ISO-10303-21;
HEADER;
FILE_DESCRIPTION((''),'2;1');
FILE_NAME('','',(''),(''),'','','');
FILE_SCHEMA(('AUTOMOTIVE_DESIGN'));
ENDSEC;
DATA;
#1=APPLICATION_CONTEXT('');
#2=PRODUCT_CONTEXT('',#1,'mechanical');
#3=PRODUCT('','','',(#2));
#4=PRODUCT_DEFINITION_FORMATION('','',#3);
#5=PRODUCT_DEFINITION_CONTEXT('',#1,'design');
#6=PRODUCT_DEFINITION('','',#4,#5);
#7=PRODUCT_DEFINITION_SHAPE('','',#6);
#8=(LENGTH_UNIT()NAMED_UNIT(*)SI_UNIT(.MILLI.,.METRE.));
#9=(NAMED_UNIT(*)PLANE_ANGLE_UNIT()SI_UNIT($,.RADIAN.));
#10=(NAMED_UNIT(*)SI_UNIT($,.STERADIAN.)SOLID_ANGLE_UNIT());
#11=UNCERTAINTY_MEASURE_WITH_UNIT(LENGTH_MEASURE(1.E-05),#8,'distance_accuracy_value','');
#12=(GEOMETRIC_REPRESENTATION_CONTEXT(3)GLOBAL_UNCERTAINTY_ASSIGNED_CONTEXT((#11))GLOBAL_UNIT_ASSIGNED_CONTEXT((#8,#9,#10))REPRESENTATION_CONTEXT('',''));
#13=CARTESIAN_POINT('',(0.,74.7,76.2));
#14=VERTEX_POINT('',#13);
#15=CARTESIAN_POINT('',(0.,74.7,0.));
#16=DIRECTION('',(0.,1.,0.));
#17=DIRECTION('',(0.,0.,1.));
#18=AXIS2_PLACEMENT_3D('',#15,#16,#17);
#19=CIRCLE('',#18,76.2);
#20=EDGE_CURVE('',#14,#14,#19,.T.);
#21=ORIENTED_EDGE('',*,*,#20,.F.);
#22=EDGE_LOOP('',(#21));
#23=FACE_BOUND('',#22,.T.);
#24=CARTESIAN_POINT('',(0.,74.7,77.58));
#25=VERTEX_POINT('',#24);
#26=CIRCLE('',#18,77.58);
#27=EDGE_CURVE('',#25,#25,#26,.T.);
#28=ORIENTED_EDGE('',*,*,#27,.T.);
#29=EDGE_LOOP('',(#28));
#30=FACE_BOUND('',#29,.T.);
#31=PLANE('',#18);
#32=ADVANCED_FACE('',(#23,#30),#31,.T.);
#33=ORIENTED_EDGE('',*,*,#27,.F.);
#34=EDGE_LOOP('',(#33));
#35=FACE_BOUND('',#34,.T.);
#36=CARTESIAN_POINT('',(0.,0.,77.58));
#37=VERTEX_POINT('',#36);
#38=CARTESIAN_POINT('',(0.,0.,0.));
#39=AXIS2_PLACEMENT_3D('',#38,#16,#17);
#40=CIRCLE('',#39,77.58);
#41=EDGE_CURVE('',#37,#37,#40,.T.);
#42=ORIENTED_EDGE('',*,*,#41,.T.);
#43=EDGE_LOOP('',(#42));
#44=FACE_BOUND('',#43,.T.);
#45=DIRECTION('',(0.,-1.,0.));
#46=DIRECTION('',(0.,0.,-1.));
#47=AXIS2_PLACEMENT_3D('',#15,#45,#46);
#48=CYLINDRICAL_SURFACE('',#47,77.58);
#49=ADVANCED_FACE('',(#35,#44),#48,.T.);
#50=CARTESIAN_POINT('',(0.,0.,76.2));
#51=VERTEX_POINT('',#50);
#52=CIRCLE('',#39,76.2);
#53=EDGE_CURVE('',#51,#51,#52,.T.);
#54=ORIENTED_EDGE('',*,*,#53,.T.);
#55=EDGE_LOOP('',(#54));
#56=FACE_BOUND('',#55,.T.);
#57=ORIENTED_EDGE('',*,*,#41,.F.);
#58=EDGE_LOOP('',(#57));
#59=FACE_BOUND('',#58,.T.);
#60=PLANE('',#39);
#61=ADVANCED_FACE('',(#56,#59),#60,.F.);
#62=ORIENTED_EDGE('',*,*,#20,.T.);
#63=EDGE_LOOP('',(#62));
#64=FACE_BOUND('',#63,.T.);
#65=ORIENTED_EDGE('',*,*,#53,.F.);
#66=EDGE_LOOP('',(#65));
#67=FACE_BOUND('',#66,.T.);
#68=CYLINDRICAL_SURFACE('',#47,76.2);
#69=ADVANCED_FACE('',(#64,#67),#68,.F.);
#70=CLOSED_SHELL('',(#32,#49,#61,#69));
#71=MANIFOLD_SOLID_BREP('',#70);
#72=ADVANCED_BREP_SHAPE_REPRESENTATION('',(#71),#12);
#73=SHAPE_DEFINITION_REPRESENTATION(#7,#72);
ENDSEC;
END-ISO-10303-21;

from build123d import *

# Parameters (mm, degrees)
SKETCH1_R           = 77.58
SKETCH1_R_2         = 76.2
BOSS_EXTRUDE1_DEPTH = 74.7


with BuildPart() as part:
    # Sketch1 → Boss-Extrude1 (new body)
    with BuildSketch(Plane(origin=(0, 0, 0), x_dir=(1, 0, 0), z_dir=(0, 1, 0))):
        Circle(SKETCH1_R)
        Circle(SKETCH1_R_2, mode=Mode.SUBTRACT)
    extrude(amount=BOSS_EXTRUDE1_DEPTH)


solid = part.part
